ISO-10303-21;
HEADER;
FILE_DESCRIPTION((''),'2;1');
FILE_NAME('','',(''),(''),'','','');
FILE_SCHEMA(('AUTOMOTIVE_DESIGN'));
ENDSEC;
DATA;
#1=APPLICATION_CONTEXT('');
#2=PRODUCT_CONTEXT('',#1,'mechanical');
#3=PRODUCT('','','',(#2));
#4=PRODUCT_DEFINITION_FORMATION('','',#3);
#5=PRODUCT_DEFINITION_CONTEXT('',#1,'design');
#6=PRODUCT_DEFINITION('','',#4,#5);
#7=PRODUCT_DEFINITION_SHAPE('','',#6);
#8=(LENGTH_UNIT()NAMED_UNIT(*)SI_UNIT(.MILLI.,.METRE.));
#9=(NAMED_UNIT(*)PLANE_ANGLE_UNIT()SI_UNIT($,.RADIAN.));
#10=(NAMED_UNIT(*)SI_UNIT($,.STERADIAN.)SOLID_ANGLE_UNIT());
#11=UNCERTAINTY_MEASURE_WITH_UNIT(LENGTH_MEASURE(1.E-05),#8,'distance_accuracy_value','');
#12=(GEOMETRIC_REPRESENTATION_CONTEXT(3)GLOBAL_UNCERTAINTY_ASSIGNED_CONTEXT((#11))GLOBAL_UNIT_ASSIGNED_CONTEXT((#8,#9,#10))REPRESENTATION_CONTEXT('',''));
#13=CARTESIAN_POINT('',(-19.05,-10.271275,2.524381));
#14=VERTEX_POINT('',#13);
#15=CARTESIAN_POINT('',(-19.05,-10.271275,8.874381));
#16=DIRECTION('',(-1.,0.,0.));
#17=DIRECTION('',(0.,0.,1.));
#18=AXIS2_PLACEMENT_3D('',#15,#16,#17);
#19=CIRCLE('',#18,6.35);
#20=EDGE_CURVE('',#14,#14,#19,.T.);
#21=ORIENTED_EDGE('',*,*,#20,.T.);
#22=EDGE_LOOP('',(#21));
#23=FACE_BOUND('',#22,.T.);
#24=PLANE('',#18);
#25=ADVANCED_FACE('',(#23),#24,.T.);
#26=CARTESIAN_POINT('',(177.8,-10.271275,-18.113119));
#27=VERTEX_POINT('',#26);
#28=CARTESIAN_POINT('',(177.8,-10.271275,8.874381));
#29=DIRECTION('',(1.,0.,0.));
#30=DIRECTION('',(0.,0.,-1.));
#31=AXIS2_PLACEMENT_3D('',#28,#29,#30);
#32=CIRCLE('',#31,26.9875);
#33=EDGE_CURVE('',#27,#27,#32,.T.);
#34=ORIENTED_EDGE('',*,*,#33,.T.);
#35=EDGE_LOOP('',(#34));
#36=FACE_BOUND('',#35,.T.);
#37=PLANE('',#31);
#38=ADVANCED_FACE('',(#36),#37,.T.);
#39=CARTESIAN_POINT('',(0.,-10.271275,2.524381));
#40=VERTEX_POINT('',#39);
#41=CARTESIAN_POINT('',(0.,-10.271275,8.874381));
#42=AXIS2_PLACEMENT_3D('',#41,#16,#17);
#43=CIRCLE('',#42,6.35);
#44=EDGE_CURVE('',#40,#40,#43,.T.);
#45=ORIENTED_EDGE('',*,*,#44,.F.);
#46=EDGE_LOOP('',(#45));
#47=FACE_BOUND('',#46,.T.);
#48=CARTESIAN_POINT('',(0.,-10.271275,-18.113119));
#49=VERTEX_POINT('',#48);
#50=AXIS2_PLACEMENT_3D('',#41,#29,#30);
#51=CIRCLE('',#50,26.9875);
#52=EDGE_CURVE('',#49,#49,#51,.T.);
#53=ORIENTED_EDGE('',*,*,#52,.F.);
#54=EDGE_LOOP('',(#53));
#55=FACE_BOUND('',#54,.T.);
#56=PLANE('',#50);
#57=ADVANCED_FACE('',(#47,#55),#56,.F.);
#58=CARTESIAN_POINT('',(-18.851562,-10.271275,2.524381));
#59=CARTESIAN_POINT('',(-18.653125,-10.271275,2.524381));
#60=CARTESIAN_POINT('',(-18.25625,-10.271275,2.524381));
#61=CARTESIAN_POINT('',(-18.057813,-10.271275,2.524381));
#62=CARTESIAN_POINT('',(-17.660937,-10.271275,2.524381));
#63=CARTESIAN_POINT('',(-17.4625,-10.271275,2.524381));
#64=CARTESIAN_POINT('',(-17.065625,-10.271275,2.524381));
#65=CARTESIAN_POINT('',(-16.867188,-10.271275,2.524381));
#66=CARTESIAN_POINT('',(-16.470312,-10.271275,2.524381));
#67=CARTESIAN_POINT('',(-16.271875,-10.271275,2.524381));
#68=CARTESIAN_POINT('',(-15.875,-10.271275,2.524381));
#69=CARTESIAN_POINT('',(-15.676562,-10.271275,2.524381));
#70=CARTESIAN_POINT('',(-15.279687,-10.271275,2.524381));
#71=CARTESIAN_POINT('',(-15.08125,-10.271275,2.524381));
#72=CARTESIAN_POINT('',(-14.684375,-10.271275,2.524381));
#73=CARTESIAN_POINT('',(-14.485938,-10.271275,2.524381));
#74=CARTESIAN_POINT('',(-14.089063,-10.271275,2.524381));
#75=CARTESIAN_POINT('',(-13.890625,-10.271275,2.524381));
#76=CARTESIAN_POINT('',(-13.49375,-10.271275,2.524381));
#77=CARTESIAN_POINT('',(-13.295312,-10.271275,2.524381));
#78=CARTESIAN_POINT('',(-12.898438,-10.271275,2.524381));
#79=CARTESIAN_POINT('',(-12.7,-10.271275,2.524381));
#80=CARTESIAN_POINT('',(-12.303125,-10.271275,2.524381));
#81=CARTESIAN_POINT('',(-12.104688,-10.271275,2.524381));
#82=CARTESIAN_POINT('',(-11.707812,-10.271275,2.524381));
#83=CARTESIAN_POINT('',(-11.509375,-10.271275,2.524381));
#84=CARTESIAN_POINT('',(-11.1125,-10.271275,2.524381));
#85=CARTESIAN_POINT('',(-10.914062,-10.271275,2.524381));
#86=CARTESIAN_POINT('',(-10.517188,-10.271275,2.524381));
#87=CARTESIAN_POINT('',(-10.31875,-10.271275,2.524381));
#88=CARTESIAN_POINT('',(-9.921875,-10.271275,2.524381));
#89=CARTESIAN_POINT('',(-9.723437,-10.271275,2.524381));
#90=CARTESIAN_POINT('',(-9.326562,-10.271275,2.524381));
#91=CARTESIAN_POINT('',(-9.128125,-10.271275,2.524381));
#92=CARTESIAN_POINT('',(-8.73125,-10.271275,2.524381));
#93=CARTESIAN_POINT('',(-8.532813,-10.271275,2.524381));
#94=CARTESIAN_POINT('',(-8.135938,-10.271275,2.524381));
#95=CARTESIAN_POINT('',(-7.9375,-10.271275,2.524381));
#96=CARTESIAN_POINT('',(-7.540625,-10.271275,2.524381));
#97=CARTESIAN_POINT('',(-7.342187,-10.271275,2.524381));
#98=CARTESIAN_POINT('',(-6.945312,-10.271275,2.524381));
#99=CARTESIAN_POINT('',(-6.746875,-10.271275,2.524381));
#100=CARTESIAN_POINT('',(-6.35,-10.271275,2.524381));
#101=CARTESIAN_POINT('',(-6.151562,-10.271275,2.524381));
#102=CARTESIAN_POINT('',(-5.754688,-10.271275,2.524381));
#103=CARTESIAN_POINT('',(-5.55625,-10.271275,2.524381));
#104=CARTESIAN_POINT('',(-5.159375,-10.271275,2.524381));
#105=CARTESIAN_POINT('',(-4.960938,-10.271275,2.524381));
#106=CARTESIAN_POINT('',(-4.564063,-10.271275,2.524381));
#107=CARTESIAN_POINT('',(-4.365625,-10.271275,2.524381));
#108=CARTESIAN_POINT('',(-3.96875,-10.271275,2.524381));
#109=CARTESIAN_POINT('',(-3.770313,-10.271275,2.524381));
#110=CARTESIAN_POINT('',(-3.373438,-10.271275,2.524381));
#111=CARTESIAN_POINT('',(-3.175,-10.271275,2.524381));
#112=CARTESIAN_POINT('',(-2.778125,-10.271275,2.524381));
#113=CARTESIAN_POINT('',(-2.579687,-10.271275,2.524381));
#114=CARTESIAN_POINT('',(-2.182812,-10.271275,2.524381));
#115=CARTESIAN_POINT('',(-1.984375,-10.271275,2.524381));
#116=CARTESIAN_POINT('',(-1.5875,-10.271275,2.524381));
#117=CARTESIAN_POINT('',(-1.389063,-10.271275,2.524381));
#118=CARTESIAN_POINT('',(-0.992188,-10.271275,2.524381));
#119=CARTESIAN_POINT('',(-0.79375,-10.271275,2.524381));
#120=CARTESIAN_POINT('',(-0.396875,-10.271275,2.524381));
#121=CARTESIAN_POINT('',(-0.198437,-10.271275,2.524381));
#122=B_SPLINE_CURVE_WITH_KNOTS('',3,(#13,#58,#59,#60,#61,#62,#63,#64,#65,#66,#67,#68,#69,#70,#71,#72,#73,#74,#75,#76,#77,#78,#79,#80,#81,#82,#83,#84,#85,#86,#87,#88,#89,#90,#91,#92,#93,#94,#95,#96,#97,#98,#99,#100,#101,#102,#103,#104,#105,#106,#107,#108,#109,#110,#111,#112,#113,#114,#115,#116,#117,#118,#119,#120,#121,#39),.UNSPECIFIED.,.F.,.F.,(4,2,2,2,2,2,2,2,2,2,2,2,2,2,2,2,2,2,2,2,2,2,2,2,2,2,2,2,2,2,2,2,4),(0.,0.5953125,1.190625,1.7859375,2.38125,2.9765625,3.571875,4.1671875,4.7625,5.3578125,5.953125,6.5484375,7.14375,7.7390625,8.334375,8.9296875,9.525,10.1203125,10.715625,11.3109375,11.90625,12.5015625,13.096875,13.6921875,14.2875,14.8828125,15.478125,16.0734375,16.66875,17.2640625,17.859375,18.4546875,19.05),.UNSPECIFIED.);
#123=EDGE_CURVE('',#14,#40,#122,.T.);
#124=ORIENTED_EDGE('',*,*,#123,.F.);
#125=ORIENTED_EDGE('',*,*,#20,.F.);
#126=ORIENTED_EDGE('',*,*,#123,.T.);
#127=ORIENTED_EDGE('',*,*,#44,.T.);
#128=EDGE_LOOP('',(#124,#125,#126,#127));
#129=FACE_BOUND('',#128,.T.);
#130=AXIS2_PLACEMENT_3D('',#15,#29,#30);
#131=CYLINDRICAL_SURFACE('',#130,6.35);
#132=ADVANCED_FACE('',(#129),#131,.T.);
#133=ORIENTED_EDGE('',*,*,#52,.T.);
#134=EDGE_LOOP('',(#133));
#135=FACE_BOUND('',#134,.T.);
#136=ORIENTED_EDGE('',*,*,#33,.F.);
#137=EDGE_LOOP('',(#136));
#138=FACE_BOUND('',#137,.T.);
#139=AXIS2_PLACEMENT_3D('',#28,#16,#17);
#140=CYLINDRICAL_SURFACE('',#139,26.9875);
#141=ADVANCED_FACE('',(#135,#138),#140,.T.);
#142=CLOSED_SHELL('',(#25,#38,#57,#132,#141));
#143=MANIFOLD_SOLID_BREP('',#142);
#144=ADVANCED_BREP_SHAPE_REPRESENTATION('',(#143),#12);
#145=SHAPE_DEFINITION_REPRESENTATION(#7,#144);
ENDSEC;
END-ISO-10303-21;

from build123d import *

# Parameters (mm, degrees)
SKETCH1_R           = 26.9875
BOSS_EXTRUDE1_DEPTH = 177.8
SKETCH4_R           = 6.35
BOSS_EXTRUDE3_DEPTH = 19.05


with BuildPart() as part:
    # Sketch1 → Boss-Extrude1 (new body)
    with BuildSketch(Plane.YZ):
        with Locations(Location((-10.271274645, 8.874381293, 0), (0, 0, 270))):
            Circle(SKETCH1_R)
    extrude(amount=BOSS_EXTRUDE1_DEPTH)

    # Sketch4 → Boss-Extrude3 (add)
    with BuildSketch(Plane.ZY):
        with Locations(Location((8.874381293, -10.271274645, 0), (0, 0, 180))):
            Circle(SKETCH4_R)
    extrude(amount=BOSS_EXTRUDE3_DEPTH)


solid = part.part
